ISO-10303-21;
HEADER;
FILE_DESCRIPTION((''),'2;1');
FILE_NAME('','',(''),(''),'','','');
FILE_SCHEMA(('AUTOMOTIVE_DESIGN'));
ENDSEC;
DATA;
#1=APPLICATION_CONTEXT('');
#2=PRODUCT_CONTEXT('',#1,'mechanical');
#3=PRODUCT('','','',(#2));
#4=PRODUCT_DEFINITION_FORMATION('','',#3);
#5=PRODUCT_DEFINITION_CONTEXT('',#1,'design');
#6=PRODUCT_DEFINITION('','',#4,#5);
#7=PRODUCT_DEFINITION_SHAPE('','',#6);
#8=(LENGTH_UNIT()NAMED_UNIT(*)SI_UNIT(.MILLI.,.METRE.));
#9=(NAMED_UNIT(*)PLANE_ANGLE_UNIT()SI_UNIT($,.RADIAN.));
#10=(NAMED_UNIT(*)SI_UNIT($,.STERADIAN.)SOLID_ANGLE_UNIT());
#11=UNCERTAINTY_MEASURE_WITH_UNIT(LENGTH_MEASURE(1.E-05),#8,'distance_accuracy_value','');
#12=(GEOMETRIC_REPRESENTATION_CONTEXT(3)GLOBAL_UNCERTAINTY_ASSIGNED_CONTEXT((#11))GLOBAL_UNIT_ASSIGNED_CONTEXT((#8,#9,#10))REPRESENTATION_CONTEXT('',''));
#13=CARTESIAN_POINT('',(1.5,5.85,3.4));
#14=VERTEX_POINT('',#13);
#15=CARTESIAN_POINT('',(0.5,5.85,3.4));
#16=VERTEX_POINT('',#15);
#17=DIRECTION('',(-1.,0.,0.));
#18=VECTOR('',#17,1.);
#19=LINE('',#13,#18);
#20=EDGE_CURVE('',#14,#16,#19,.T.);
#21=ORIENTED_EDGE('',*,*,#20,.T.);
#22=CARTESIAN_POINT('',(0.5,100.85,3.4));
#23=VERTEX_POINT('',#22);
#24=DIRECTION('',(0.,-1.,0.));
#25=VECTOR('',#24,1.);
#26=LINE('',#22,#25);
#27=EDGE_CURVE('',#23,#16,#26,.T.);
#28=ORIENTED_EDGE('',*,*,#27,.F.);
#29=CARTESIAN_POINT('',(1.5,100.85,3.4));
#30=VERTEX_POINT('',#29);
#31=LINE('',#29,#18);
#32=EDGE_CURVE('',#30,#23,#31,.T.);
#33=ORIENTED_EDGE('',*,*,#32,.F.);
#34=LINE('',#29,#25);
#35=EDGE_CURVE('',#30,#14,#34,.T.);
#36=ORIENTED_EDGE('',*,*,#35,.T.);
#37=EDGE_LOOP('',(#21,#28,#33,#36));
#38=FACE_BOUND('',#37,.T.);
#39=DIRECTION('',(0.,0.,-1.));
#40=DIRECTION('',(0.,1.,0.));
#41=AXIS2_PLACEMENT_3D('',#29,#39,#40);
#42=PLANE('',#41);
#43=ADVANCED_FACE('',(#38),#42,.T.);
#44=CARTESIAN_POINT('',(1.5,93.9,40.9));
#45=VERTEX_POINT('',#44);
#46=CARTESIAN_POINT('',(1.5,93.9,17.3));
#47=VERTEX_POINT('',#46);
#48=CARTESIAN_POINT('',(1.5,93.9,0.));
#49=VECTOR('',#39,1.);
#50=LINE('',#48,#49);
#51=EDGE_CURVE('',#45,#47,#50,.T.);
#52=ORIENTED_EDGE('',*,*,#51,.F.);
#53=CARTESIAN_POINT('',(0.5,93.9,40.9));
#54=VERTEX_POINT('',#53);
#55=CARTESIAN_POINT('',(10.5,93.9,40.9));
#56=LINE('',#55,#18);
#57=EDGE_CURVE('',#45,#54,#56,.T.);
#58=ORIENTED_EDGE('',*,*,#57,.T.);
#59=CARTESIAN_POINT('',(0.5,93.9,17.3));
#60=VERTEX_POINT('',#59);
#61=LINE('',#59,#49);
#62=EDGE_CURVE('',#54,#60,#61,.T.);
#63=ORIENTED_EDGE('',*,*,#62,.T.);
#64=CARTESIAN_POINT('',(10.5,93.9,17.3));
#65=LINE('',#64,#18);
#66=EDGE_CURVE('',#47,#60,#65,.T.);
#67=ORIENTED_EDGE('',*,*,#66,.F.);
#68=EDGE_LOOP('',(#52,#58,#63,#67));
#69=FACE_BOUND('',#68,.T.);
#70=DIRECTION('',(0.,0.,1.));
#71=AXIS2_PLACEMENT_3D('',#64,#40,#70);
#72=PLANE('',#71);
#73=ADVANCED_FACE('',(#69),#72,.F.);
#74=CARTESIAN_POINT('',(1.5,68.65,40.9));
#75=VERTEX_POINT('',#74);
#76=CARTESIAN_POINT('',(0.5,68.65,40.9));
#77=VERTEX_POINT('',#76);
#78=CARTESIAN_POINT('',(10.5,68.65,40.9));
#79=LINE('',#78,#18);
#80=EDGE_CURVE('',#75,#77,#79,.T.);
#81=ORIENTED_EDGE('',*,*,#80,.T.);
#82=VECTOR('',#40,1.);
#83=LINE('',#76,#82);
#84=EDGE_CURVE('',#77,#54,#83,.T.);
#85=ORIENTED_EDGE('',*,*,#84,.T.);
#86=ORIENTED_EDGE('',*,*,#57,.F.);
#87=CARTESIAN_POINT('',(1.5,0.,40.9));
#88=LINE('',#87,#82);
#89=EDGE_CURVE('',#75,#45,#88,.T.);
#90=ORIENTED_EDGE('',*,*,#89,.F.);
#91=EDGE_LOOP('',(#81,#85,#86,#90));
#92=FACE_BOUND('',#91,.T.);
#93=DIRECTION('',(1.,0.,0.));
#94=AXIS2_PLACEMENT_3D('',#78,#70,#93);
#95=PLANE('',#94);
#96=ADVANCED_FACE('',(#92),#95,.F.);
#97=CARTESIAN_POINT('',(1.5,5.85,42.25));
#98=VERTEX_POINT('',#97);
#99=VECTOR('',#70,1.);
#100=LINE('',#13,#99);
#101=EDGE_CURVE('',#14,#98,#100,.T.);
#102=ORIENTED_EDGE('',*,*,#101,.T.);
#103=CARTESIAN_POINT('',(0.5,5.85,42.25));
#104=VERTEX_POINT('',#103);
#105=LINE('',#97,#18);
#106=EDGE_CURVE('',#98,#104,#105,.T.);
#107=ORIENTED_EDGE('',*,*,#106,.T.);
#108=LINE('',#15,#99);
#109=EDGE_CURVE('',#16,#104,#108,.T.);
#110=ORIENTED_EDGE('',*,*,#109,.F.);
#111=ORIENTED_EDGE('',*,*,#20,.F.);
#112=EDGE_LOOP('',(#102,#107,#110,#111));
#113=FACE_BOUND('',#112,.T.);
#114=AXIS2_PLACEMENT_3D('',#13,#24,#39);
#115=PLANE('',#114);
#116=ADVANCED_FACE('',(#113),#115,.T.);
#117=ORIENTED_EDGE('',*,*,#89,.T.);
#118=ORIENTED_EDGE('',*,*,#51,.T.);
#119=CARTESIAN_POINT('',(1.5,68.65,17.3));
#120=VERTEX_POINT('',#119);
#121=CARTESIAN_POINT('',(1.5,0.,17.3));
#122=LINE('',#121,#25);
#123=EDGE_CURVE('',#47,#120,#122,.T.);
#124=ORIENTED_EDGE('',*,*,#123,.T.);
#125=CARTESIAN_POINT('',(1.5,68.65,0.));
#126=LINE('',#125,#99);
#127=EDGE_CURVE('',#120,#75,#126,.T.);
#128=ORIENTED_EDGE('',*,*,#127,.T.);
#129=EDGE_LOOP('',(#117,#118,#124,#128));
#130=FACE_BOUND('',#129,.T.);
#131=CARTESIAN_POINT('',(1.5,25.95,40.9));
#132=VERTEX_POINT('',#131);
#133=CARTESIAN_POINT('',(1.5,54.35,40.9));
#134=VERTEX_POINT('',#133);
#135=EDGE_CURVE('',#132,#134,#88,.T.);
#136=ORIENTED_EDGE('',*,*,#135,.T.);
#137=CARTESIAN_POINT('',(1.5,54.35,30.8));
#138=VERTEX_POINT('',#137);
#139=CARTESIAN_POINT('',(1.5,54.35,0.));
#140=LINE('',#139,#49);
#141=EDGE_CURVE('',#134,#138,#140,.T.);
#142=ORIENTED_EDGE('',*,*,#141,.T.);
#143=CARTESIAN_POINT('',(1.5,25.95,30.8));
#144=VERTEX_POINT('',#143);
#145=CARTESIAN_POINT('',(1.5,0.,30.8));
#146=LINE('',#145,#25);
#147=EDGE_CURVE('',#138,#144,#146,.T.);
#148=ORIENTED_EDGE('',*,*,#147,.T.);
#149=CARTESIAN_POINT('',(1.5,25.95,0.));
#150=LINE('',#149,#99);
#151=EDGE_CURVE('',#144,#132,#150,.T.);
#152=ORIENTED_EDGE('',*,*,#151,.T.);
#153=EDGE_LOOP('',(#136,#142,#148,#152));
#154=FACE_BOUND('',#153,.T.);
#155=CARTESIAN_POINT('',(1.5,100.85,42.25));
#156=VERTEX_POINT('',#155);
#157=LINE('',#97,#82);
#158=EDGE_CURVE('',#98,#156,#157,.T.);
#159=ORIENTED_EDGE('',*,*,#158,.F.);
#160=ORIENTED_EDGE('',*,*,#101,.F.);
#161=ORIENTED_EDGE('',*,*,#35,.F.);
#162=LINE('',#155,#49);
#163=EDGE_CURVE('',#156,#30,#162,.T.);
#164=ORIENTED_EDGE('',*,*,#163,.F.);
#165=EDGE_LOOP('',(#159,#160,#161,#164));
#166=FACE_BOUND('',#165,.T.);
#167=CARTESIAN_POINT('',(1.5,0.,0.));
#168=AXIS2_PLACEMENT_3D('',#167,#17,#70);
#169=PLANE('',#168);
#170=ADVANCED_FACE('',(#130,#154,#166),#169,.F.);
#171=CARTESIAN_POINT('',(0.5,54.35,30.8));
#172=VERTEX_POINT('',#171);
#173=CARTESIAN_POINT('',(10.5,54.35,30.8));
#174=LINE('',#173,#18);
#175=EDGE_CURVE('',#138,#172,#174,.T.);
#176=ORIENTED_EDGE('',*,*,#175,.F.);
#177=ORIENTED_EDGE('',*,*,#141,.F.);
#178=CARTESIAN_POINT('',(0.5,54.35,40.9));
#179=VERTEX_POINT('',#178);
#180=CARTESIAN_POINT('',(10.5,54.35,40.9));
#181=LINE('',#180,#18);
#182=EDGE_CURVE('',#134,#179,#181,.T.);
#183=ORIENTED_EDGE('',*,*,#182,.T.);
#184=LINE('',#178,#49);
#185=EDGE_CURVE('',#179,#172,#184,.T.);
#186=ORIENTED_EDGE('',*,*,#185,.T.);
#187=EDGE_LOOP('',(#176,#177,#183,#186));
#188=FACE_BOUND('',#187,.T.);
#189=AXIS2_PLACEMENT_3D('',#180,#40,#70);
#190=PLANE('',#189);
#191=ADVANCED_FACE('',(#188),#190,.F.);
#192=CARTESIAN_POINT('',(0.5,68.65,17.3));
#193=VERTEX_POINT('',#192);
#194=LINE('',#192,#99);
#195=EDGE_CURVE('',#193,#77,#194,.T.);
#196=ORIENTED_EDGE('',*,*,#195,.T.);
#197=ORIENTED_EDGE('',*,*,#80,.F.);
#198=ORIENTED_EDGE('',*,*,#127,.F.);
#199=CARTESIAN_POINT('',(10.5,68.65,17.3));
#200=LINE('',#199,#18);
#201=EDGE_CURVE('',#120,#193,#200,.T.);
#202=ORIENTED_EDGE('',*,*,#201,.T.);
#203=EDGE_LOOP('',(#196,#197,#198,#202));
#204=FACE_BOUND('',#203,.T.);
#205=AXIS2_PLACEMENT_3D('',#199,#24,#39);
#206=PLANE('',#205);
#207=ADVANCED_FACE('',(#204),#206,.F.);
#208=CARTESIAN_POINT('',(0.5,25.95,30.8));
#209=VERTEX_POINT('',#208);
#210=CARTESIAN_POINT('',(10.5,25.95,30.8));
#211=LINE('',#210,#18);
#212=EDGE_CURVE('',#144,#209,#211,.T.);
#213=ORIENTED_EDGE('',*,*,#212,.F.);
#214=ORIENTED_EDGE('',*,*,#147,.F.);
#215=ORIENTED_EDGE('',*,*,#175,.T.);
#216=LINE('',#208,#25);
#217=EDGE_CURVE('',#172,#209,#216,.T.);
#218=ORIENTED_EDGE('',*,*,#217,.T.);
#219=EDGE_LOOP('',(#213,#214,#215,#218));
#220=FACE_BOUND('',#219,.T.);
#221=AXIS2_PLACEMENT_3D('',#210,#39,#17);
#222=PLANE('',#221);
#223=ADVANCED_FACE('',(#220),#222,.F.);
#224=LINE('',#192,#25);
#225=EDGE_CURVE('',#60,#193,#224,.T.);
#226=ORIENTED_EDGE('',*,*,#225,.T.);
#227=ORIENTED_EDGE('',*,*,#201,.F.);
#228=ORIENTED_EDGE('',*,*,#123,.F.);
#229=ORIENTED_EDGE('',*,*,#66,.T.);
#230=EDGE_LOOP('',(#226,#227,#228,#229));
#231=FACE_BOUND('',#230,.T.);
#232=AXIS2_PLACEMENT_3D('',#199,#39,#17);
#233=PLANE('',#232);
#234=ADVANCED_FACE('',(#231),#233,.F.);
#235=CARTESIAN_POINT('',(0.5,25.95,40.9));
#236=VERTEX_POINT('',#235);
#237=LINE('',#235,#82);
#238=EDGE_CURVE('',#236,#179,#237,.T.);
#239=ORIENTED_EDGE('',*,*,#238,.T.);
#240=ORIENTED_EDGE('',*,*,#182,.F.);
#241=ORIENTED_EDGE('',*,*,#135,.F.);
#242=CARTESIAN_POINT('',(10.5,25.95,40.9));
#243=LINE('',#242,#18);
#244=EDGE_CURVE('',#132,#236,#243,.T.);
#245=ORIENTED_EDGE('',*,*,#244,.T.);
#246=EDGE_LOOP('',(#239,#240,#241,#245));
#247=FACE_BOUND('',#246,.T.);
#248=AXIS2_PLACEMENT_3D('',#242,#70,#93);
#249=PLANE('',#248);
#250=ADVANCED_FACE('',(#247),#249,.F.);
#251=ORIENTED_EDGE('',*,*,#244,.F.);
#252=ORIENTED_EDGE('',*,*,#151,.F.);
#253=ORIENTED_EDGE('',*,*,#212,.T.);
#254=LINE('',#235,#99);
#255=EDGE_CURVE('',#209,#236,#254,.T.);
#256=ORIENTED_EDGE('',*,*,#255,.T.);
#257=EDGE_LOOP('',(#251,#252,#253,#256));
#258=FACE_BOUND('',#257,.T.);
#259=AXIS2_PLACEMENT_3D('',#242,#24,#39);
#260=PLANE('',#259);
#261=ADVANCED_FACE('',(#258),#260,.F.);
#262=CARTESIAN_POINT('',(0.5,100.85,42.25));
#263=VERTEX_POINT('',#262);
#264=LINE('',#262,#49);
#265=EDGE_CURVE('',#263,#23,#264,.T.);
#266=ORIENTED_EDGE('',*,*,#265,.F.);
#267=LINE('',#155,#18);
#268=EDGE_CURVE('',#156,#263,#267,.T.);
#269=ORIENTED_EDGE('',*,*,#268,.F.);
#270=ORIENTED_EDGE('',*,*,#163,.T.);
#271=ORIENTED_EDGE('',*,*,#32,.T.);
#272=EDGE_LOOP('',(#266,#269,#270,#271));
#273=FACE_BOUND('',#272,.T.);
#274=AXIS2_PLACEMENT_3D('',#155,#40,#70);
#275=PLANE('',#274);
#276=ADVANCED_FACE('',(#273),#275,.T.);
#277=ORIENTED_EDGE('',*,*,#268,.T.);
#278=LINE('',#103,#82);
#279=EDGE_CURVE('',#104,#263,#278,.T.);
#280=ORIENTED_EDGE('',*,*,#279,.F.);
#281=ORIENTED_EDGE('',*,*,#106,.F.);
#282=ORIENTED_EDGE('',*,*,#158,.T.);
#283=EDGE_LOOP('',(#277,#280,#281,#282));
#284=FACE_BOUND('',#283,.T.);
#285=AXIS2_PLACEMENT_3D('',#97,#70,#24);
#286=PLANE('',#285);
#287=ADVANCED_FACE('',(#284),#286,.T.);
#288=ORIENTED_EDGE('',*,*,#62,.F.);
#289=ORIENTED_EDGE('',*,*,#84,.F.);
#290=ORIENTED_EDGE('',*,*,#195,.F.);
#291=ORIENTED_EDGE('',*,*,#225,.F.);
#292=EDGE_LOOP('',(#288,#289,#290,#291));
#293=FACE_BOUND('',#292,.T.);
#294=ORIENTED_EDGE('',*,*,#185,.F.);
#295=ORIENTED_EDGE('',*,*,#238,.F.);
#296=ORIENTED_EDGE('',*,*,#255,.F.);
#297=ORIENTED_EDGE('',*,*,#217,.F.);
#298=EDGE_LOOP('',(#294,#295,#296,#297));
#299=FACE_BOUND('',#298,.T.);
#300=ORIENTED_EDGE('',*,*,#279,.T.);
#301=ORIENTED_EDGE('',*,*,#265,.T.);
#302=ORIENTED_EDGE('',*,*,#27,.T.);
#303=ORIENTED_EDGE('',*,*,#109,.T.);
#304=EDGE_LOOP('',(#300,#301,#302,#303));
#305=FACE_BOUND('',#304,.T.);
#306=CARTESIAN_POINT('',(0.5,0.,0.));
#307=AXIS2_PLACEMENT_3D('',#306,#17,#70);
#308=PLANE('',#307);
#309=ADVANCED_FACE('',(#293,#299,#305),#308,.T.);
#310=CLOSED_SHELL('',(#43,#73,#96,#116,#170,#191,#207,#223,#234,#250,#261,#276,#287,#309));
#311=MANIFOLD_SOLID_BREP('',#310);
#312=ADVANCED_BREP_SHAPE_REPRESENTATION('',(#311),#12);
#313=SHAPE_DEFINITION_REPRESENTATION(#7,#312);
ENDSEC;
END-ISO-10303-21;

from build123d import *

# Parameters (mm, degrees)
SKETCH_1_W          = 95
SKETCH_1_H          = 38.85
EXTRUDE_1_DEPTH     = 1
SKETCH_2_W          = 10.1
SKETCH_2_H          = 28.4
SKETCH_2_W_2        = 23.6
SKETCH_2_H_2        = 25.25
CUT_EXTRUDE_1_DEPTH = 10


with BuildPart() as part:
    # Эскиз1 → Бобышка-Вытянуть1 (new body)
    with BuildSketch(Plane(origin=(0.5, 0, 0), x_dir=(0, -1, 0), z_dir=(-1, 0, 0))):
        with Locations((-53.35, 22.825)):
            Rectangle(SKETCH_1_W, SKETCH_1_H)
    extrude(amount=-EXTRUDE_1_DEPTH)

    # Эскиз2 → Вырез-Вытянуть1 (cut)
    with BuildSketch(Plane.ZY.offset(-0.5)):
        with Locations((35.85, 40.15)):
            Rectangle(SKETCH_2_W, SKETCH_2_H)
        with Locations((29.1, 81.275)):
            Rectangle(SKETCH_2_W_2, SKETCH_2_H_2)
    extrude(amount=-CUT_EXTRUDE_1_DEPTH, mode=Mode.SUBTRACT)


solid = part.part
